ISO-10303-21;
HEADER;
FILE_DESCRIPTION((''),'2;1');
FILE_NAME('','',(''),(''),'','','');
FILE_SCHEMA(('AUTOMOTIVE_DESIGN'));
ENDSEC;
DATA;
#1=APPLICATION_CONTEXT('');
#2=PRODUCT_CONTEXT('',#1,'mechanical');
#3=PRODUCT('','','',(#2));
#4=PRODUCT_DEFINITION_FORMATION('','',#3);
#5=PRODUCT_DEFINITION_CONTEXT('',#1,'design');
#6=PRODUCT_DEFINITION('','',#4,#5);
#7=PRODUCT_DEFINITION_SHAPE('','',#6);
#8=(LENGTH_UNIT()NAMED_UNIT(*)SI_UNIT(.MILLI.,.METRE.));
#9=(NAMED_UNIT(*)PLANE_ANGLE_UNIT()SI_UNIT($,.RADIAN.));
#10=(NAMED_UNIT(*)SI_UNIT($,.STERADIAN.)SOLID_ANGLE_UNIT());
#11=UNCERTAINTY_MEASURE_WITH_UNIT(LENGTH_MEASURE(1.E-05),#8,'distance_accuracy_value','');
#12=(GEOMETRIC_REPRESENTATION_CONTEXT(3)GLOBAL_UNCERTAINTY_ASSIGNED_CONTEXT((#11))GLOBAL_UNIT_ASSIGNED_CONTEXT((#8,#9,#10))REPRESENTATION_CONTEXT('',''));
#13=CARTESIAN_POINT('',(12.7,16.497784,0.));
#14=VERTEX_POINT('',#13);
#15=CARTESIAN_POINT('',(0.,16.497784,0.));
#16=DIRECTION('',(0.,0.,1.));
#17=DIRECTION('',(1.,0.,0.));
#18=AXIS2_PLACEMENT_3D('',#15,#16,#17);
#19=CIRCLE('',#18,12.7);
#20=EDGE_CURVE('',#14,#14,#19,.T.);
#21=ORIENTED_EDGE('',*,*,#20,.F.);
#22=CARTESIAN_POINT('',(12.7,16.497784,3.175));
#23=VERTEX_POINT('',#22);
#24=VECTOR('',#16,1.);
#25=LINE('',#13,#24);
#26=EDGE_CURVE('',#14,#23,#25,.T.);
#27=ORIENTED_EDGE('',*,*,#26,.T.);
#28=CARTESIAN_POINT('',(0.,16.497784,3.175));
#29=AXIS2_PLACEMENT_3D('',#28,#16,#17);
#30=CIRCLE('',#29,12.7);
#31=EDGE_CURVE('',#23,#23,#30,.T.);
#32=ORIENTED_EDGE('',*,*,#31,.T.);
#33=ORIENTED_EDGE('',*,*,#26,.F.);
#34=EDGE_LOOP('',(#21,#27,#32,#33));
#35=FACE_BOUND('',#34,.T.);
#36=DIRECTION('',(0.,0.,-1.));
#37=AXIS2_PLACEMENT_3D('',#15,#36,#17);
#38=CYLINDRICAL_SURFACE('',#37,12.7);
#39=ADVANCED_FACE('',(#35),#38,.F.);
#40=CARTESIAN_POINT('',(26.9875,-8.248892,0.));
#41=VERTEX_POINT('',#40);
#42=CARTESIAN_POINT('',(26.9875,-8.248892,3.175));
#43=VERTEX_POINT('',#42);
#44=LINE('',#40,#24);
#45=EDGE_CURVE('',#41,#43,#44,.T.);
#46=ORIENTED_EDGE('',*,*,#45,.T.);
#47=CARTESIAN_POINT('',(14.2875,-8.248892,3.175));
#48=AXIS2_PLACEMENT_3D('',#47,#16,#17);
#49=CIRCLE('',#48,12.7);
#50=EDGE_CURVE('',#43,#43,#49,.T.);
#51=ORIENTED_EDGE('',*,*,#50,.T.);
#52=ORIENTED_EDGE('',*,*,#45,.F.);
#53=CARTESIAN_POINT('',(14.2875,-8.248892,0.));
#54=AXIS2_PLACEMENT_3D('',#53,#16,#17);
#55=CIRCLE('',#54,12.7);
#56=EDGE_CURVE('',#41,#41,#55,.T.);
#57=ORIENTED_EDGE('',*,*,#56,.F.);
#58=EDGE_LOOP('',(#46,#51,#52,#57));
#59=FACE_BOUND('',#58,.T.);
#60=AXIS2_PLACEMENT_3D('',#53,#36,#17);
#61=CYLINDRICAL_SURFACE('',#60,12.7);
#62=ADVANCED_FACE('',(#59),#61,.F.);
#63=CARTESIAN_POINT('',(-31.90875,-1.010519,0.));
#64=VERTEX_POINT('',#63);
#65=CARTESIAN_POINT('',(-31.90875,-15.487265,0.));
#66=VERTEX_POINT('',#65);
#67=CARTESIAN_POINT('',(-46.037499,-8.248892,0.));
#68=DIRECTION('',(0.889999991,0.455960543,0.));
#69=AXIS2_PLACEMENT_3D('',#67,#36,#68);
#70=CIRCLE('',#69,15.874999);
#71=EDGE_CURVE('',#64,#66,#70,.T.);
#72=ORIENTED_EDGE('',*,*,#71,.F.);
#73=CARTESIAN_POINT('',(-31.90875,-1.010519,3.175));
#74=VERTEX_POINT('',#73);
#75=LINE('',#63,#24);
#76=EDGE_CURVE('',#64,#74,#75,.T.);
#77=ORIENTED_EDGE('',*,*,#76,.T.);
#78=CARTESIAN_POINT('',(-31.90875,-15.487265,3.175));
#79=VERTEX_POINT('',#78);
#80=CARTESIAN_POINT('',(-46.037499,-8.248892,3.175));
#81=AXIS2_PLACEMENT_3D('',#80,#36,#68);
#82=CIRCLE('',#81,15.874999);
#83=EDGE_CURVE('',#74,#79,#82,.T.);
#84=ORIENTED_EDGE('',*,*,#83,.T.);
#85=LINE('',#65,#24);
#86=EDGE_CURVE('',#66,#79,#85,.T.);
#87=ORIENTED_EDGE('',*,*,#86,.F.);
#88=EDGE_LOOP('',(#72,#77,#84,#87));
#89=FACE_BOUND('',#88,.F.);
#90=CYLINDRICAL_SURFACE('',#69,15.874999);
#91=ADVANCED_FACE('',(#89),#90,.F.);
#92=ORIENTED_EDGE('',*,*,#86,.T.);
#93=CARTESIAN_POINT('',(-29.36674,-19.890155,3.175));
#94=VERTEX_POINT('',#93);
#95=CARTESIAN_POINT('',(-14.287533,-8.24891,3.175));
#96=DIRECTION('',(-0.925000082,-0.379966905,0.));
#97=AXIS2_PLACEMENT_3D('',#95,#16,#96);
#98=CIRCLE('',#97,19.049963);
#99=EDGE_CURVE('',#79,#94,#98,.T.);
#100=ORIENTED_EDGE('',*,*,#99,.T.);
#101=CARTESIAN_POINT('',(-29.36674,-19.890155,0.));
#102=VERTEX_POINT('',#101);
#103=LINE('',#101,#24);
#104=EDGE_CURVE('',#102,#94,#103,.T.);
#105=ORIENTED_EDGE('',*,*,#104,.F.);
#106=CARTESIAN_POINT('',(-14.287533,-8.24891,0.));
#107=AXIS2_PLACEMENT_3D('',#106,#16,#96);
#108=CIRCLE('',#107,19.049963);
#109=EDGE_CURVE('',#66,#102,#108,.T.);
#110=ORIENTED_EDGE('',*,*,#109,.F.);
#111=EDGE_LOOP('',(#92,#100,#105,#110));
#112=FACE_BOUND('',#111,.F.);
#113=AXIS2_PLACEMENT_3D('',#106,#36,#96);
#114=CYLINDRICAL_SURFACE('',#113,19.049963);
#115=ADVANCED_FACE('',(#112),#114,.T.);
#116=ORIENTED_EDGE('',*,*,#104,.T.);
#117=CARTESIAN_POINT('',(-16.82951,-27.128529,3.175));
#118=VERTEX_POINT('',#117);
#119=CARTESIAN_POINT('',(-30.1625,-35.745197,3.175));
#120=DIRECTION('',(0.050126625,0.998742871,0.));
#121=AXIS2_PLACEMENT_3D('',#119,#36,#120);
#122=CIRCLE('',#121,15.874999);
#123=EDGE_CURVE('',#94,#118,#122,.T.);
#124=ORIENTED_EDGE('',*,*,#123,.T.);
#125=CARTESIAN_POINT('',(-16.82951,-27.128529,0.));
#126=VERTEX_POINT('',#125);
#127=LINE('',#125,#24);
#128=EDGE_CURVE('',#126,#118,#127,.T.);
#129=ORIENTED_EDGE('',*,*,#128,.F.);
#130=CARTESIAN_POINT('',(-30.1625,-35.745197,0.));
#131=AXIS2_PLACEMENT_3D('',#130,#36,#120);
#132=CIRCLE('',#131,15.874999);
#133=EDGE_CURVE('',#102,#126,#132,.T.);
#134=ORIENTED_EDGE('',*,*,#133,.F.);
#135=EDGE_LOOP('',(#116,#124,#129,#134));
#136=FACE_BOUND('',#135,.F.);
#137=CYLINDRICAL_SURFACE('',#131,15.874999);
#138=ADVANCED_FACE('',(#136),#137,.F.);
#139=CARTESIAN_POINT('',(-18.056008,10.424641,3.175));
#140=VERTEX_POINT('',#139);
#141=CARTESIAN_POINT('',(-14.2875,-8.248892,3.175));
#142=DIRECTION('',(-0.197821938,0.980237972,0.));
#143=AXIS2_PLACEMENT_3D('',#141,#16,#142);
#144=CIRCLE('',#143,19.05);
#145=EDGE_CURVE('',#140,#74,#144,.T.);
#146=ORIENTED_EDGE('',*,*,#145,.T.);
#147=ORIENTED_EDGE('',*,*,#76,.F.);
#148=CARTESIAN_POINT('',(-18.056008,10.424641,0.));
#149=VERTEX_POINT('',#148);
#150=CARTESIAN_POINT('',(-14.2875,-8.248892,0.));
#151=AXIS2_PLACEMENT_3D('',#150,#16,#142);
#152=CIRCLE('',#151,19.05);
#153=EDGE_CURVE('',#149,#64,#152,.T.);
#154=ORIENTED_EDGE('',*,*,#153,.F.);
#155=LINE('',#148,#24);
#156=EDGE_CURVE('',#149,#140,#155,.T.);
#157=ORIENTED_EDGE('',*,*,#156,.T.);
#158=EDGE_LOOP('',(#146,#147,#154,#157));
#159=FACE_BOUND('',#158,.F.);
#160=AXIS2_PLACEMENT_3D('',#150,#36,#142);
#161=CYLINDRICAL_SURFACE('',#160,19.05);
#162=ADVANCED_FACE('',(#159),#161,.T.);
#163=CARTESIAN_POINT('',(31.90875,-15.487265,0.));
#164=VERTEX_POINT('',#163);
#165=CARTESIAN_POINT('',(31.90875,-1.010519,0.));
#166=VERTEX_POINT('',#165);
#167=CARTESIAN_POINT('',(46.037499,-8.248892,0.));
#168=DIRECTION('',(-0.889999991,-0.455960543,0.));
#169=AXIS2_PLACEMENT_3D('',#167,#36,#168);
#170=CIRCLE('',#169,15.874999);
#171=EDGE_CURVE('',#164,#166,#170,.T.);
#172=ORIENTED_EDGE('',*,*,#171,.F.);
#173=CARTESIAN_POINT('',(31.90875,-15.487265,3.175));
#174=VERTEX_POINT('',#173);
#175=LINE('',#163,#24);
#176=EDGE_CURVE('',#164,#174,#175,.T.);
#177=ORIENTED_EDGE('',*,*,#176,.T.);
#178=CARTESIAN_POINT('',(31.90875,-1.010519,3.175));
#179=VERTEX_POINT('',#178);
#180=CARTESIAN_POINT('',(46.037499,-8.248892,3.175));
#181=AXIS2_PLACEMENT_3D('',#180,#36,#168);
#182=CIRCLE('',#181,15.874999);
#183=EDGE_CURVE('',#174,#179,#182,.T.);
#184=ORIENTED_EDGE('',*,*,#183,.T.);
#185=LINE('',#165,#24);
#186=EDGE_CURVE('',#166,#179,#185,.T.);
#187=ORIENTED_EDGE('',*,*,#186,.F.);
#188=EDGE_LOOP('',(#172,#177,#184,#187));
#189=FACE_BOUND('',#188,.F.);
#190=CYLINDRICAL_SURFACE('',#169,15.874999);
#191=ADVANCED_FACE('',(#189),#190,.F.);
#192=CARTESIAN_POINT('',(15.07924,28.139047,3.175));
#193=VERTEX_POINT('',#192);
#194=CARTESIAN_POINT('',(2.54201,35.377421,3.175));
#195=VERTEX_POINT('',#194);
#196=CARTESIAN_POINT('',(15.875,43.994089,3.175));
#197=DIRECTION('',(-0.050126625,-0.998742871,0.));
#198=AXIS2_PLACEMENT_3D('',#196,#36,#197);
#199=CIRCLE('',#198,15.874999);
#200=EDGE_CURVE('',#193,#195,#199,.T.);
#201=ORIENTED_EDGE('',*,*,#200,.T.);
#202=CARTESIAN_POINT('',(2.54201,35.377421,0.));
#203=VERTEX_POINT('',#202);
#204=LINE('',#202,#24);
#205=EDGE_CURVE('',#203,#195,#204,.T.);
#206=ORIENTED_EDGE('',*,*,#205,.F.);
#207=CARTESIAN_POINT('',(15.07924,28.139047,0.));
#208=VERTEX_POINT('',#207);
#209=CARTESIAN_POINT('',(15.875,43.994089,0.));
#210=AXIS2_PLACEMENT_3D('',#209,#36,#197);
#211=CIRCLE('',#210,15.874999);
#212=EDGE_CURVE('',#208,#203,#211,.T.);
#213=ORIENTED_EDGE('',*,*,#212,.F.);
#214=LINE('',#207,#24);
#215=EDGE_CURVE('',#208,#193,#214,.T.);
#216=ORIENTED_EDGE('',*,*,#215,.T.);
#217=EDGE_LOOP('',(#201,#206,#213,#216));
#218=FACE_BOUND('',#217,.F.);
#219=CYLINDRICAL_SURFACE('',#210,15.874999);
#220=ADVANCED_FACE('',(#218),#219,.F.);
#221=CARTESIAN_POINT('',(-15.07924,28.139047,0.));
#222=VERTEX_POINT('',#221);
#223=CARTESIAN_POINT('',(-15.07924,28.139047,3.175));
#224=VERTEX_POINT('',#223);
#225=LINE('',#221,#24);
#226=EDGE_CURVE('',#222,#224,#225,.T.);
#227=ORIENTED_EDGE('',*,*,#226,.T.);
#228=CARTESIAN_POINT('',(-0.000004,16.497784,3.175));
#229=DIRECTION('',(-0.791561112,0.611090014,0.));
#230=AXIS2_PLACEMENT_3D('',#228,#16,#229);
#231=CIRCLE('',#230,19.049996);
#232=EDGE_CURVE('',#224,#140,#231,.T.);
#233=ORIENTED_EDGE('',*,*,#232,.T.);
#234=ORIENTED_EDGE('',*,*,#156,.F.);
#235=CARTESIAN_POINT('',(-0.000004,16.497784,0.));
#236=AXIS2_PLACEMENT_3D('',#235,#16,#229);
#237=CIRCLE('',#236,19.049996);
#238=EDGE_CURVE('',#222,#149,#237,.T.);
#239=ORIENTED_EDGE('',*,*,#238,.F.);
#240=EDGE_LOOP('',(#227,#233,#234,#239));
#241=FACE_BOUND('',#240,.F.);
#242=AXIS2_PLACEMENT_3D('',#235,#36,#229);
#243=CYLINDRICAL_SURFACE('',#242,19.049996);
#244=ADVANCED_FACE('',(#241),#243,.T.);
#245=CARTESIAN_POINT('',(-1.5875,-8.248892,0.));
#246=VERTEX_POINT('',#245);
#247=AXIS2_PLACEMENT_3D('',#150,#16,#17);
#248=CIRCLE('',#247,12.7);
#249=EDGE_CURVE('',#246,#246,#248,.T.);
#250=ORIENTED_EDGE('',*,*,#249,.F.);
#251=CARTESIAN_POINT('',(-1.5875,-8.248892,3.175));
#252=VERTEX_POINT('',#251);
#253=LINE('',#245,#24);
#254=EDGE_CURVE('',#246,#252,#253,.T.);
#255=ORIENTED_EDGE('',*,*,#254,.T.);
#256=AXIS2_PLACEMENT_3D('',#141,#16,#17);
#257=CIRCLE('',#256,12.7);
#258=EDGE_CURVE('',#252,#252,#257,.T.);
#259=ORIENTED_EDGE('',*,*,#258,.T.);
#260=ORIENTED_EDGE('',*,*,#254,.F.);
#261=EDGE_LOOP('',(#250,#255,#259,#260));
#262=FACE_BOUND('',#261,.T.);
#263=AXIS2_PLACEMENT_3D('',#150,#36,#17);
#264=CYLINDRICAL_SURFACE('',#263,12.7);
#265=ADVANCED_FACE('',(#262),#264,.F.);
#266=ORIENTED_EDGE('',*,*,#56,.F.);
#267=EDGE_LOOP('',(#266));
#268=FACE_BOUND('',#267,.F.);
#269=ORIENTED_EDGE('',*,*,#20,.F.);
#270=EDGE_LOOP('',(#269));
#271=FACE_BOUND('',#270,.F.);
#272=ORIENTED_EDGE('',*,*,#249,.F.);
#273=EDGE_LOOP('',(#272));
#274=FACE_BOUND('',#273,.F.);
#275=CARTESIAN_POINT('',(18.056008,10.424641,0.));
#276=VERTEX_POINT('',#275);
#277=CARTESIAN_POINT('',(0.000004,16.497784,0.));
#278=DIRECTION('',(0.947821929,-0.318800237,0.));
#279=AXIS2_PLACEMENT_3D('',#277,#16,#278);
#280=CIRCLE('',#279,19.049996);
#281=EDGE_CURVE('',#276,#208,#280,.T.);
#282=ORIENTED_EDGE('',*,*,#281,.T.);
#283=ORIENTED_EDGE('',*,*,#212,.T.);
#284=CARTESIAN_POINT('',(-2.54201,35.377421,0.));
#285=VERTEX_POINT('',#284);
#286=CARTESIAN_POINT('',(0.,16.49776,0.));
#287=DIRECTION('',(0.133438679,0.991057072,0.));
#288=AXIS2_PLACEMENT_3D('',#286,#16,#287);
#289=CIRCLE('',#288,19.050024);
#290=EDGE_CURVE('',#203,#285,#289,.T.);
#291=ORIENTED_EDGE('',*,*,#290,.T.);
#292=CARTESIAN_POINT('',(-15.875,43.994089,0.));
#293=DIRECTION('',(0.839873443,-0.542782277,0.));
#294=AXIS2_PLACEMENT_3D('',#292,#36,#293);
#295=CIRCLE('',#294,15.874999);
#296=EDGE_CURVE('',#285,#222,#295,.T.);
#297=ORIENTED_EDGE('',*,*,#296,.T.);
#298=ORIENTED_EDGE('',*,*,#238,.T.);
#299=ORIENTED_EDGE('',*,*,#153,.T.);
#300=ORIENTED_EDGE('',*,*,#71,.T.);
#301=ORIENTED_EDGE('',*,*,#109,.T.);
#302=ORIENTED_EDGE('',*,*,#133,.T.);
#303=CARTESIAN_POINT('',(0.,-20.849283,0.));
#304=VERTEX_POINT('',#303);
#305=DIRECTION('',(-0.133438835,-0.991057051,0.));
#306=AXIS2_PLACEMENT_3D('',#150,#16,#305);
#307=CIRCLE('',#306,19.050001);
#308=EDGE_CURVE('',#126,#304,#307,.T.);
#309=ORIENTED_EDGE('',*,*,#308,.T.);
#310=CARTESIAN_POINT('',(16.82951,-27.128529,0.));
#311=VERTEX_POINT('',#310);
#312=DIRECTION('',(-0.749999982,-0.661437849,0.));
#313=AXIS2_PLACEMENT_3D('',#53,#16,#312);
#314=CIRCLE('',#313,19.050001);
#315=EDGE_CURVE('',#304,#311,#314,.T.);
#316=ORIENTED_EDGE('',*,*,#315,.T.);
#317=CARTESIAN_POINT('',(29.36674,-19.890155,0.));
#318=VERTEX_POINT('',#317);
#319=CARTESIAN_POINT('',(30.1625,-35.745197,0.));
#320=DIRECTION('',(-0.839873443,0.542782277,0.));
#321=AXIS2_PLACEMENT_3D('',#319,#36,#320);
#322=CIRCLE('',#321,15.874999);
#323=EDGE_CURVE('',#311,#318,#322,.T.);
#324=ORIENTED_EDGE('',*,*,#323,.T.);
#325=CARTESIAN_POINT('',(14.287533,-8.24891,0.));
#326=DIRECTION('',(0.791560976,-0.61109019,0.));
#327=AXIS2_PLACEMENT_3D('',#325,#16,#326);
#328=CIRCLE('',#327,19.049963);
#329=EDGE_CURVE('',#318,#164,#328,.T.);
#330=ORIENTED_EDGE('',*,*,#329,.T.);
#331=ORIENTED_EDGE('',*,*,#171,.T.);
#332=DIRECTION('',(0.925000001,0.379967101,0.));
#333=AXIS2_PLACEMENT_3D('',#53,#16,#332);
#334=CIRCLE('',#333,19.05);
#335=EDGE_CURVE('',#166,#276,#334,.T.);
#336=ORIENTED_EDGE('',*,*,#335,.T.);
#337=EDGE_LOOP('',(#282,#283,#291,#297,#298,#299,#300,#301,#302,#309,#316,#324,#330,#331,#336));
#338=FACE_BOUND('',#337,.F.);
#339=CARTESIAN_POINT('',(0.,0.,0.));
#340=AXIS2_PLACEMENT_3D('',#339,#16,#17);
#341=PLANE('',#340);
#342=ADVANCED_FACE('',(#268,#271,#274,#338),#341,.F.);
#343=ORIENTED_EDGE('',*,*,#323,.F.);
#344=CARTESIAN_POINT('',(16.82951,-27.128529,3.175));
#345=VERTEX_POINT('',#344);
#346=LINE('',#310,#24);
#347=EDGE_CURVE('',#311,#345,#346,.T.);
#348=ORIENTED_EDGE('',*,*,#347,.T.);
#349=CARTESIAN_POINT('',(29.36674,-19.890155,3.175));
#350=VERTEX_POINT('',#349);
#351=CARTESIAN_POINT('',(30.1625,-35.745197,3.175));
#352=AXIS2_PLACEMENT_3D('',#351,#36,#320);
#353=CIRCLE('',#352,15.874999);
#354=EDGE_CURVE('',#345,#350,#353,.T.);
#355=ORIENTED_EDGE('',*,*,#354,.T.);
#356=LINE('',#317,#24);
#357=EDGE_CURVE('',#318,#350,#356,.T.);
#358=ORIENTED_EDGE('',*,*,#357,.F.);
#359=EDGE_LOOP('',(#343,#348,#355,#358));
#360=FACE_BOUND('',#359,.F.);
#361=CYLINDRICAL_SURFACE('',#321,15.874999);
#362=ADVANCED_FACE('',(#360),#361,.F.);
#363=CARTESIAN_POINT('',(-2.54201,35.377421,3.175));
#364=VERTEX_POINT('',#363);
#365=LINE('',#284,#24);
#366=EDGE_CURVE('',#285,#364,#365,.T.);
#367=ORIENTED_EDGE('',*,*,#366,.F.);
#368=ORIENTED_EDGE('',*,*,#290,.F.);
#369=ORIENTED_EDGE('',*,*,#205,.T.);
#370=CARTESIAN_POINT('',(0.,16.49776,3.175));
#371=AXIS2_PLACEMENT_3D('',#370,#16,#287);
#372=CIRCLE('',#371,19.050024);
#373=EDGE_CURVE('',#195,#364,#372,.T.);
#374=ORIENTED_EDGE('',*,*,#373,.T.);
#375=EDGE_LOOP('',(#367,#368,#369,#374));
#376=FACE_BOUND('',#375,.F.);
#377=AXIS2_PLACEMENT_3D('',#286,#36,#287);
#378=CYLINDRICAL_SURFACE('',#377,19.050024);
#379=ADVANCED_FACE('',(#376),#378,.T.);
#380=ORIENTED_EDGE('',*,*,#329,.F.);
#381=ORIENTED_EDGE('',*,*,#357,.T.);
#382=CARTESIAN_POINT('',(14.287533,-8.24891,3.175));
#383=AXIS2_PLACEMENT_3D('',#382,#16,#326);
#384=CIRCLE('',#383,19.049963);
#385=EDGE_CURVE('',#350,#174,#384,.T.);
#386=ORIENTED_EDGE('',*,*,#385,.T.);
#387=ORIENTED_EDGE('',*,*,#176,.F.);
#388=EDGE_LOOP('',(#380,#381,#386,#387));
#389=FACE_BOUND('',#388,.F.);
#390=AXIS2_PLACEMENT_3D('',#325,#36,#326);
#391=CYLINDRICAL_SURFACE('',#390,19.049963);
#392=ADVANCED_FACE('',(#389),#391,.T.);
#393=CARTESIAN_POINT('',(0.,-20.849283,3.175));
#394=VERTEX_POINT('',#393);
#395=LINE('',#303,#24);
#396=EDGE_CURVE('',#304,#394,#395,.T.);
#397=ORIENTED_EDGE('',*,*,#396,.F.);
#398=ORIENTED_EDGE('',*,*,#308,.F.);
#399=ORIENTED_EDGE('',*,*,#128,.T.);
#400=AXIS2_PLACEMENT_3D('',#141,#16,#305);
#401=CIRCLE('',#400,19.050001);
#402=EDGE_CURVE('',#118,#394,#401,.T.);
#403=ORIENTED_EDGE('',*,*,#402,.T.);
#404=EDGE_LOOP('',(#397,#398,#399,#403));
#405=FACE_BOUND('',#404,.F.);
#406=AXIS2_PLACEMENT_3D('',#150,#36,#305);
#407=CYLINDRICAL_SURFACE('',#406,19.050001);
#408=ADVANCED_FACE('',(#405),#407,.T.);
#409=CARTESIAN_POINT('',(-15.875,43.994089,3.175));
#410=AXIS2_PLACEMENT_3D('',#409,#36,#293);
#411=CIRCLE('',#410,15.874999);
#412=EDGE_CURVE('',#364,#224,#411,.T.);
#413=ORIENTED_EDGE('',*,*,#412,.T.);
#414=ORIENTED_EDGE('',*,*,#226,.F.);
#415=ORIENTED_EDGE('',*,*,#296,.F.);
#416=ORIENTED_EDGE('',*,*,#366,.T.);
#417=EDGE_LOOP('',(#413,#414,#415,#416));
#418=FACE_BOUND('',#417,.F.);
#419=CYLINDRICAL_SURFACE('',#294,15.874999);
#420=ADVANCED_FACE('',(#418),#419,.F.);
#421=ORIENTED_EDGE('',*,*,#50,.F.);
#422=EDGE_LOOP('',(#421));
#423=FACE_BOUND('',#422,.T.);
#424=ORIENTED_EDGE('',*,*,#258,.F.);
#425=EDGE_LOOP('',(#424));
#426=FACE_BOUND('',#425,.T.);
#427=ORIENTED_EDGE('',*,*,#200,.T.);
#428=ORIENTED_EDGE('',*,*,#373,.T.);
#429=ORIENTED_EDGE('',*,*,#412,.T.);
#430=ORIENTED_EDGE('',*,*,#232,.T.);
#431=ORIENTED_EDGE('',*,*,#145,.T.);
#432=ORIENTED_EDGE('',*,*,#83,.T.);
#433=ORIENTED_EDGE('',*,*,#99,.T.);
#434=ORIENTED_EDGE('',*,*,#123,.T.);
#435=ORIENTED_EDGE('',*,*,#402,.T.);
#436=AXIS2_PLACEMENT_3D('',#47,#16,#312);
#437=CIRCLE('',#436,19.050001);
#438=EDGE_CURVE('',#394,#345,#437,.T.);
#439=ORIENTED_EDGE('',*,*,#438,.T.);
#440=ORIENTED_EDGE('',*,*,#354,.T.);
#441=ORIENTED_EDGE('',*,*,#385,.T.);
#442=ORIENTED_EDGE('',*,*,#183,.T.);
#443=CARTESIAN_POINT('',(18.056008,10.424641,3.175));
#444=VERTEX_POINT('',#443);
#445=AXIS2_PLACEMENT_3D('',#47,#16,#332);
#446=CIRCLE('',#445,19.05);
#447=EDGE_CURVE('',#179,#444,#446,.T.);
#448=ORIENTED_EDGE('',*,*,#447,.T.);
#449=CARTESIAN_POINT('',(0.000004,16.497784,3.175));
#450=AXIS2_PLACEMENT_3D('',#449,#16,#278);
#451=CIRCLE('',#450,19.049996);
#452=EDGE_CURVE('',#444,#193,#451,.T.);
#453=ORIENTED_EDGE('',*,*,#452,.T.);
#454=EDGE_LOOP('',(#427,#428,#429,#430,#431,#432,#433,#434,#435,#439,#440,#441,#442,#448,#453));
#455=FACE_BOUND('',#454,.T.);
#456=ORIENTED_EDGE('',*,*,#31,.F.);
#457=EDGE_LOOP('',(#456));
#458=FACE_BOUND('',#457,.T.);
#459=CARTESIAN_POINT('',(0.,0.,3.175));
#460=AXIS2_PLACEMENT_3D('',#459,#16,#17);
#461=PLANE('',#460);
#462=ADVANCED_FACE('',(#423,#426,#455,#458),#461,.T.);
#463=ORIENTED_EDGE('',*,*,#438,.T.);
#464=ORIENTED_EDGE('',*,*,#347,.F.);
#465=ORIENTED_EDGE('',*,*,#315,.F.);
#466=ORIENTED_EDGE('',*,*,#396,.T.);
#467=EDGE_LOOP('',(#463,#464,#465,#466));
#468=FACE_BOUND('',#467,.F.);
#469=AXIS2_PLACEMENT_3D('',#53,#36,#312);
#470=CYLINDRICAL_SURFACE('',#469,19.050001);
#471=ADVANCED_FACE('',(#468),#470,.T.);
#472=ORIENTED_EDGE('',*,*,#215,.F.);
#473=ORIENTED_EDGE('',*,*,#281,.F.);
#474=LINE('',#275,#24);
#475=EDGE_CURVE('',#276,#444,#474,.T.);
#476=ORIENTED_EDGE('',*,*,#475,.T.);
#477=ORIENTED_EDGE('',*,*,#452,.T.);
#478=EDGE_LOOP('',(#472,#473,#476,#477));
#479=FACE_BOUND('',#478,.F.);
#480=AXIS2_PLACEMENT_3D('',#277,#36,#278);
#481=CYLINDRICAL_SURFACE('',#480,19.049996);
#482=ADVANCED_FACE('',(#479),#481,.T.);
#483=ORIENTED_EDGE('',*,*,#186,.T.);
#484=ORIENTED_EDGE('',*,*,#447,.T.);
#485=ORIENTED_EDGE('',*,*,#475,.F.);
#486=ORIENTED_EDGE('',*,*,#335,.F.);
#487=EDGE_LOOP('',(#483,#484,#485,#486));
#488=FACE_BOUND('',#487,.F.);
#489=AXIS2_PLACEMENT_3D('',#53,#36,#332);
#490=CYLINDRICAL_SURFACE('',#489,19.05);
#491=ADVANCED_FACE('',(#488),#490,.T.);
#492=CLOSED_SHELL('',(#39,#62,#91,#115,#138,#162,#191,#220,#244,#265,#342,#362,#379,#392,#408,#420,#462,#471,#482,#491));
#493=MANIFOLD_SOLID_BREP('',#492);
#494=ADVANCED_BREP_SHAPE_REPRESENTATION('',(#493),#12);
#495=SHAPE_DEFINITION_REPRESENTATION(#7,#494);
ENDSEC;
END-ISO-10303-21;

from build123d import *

# Parameters (mm, degrees)
F0_R     = 12.7
F1_DEPTH = 3.175


with BuildPart() as f1:
    # F0 (on Top) → F1 (new body)
    with BuildSketch(Plane.XY):
        with BuildLine():
            ThreePointArc((-16.82951, -27.128529), (-7.628193, -26.097033), (0, -20.849283))
            ThreePointArc((0, -20.849283), (7.628193, -26.097033), (16.82951, -27.128529))
            ThreePointArc((16.82951, -27.128529), (22.225, -21.997045), (29.36674, -19.890155))
            ThreePointArc((29.36674, -19.890155), (30.785284, -17.773892), (31.90875, -15.487265))
            ThreePointArc((31.90875, -15.487265), (30.1625, -8.248892), (31.90875, -1.010519))
            ThreePointArc((31.90875, -1.010519), (26.41479, 6.442307), (18.056008, 10.424641))
            ThreePointArc((18.056008, 10.424641), (18.786597, 19.654725), (15.07924, 28.139047))
            ThreePointArc((15.07924, 28.139047), (7.9375, 30.245937), (2.54201, 35.377421))
            ThreePointArc((2.54201, 35.377421), (0, 35.547784), (-2.54201, 35.377421))
            ThreePointArc((-2.54201, 35.377421), (-7.9375, 30.245937), (-15.07924, 28.139047))
            ThreePointArc((-15.07924, 28.139047), (-18.786597, 19.654725), (-18.056008, 10.424641))
            ThreePointArc((-18.056008, 10.424641), (-26.41479, 6.442307), (-31.90875, -1.010519))
            ThreePointArc((-31.90875, -1.010519), (-30.1625, -8.248892), (-31.90875, -15.487265))
            ThreePointArc((-31.90875, -15.487265), (-30.785284, -17.773892), (-29.36674, -19.890155))
            ThreePointArc((-29.36674, -19.890155), (-22.225, -21.997045), (-16.82951, -27.128529))
        make_face()
        with Locations((-14.2875, -8.248892)):
            Circle(F0_R, mode=Mode.SUBTRACT)
        with Locations((14.2875, -8.248892)):
            Circle(F0_R, mode=Mode.SUBTRACT)
        with Locations((0, 16.497784)):
            Circle(F0_R, mode=Mode.SUBTRACT)
    extrude(amount=F1_DEPTH)


solid = f1.part
